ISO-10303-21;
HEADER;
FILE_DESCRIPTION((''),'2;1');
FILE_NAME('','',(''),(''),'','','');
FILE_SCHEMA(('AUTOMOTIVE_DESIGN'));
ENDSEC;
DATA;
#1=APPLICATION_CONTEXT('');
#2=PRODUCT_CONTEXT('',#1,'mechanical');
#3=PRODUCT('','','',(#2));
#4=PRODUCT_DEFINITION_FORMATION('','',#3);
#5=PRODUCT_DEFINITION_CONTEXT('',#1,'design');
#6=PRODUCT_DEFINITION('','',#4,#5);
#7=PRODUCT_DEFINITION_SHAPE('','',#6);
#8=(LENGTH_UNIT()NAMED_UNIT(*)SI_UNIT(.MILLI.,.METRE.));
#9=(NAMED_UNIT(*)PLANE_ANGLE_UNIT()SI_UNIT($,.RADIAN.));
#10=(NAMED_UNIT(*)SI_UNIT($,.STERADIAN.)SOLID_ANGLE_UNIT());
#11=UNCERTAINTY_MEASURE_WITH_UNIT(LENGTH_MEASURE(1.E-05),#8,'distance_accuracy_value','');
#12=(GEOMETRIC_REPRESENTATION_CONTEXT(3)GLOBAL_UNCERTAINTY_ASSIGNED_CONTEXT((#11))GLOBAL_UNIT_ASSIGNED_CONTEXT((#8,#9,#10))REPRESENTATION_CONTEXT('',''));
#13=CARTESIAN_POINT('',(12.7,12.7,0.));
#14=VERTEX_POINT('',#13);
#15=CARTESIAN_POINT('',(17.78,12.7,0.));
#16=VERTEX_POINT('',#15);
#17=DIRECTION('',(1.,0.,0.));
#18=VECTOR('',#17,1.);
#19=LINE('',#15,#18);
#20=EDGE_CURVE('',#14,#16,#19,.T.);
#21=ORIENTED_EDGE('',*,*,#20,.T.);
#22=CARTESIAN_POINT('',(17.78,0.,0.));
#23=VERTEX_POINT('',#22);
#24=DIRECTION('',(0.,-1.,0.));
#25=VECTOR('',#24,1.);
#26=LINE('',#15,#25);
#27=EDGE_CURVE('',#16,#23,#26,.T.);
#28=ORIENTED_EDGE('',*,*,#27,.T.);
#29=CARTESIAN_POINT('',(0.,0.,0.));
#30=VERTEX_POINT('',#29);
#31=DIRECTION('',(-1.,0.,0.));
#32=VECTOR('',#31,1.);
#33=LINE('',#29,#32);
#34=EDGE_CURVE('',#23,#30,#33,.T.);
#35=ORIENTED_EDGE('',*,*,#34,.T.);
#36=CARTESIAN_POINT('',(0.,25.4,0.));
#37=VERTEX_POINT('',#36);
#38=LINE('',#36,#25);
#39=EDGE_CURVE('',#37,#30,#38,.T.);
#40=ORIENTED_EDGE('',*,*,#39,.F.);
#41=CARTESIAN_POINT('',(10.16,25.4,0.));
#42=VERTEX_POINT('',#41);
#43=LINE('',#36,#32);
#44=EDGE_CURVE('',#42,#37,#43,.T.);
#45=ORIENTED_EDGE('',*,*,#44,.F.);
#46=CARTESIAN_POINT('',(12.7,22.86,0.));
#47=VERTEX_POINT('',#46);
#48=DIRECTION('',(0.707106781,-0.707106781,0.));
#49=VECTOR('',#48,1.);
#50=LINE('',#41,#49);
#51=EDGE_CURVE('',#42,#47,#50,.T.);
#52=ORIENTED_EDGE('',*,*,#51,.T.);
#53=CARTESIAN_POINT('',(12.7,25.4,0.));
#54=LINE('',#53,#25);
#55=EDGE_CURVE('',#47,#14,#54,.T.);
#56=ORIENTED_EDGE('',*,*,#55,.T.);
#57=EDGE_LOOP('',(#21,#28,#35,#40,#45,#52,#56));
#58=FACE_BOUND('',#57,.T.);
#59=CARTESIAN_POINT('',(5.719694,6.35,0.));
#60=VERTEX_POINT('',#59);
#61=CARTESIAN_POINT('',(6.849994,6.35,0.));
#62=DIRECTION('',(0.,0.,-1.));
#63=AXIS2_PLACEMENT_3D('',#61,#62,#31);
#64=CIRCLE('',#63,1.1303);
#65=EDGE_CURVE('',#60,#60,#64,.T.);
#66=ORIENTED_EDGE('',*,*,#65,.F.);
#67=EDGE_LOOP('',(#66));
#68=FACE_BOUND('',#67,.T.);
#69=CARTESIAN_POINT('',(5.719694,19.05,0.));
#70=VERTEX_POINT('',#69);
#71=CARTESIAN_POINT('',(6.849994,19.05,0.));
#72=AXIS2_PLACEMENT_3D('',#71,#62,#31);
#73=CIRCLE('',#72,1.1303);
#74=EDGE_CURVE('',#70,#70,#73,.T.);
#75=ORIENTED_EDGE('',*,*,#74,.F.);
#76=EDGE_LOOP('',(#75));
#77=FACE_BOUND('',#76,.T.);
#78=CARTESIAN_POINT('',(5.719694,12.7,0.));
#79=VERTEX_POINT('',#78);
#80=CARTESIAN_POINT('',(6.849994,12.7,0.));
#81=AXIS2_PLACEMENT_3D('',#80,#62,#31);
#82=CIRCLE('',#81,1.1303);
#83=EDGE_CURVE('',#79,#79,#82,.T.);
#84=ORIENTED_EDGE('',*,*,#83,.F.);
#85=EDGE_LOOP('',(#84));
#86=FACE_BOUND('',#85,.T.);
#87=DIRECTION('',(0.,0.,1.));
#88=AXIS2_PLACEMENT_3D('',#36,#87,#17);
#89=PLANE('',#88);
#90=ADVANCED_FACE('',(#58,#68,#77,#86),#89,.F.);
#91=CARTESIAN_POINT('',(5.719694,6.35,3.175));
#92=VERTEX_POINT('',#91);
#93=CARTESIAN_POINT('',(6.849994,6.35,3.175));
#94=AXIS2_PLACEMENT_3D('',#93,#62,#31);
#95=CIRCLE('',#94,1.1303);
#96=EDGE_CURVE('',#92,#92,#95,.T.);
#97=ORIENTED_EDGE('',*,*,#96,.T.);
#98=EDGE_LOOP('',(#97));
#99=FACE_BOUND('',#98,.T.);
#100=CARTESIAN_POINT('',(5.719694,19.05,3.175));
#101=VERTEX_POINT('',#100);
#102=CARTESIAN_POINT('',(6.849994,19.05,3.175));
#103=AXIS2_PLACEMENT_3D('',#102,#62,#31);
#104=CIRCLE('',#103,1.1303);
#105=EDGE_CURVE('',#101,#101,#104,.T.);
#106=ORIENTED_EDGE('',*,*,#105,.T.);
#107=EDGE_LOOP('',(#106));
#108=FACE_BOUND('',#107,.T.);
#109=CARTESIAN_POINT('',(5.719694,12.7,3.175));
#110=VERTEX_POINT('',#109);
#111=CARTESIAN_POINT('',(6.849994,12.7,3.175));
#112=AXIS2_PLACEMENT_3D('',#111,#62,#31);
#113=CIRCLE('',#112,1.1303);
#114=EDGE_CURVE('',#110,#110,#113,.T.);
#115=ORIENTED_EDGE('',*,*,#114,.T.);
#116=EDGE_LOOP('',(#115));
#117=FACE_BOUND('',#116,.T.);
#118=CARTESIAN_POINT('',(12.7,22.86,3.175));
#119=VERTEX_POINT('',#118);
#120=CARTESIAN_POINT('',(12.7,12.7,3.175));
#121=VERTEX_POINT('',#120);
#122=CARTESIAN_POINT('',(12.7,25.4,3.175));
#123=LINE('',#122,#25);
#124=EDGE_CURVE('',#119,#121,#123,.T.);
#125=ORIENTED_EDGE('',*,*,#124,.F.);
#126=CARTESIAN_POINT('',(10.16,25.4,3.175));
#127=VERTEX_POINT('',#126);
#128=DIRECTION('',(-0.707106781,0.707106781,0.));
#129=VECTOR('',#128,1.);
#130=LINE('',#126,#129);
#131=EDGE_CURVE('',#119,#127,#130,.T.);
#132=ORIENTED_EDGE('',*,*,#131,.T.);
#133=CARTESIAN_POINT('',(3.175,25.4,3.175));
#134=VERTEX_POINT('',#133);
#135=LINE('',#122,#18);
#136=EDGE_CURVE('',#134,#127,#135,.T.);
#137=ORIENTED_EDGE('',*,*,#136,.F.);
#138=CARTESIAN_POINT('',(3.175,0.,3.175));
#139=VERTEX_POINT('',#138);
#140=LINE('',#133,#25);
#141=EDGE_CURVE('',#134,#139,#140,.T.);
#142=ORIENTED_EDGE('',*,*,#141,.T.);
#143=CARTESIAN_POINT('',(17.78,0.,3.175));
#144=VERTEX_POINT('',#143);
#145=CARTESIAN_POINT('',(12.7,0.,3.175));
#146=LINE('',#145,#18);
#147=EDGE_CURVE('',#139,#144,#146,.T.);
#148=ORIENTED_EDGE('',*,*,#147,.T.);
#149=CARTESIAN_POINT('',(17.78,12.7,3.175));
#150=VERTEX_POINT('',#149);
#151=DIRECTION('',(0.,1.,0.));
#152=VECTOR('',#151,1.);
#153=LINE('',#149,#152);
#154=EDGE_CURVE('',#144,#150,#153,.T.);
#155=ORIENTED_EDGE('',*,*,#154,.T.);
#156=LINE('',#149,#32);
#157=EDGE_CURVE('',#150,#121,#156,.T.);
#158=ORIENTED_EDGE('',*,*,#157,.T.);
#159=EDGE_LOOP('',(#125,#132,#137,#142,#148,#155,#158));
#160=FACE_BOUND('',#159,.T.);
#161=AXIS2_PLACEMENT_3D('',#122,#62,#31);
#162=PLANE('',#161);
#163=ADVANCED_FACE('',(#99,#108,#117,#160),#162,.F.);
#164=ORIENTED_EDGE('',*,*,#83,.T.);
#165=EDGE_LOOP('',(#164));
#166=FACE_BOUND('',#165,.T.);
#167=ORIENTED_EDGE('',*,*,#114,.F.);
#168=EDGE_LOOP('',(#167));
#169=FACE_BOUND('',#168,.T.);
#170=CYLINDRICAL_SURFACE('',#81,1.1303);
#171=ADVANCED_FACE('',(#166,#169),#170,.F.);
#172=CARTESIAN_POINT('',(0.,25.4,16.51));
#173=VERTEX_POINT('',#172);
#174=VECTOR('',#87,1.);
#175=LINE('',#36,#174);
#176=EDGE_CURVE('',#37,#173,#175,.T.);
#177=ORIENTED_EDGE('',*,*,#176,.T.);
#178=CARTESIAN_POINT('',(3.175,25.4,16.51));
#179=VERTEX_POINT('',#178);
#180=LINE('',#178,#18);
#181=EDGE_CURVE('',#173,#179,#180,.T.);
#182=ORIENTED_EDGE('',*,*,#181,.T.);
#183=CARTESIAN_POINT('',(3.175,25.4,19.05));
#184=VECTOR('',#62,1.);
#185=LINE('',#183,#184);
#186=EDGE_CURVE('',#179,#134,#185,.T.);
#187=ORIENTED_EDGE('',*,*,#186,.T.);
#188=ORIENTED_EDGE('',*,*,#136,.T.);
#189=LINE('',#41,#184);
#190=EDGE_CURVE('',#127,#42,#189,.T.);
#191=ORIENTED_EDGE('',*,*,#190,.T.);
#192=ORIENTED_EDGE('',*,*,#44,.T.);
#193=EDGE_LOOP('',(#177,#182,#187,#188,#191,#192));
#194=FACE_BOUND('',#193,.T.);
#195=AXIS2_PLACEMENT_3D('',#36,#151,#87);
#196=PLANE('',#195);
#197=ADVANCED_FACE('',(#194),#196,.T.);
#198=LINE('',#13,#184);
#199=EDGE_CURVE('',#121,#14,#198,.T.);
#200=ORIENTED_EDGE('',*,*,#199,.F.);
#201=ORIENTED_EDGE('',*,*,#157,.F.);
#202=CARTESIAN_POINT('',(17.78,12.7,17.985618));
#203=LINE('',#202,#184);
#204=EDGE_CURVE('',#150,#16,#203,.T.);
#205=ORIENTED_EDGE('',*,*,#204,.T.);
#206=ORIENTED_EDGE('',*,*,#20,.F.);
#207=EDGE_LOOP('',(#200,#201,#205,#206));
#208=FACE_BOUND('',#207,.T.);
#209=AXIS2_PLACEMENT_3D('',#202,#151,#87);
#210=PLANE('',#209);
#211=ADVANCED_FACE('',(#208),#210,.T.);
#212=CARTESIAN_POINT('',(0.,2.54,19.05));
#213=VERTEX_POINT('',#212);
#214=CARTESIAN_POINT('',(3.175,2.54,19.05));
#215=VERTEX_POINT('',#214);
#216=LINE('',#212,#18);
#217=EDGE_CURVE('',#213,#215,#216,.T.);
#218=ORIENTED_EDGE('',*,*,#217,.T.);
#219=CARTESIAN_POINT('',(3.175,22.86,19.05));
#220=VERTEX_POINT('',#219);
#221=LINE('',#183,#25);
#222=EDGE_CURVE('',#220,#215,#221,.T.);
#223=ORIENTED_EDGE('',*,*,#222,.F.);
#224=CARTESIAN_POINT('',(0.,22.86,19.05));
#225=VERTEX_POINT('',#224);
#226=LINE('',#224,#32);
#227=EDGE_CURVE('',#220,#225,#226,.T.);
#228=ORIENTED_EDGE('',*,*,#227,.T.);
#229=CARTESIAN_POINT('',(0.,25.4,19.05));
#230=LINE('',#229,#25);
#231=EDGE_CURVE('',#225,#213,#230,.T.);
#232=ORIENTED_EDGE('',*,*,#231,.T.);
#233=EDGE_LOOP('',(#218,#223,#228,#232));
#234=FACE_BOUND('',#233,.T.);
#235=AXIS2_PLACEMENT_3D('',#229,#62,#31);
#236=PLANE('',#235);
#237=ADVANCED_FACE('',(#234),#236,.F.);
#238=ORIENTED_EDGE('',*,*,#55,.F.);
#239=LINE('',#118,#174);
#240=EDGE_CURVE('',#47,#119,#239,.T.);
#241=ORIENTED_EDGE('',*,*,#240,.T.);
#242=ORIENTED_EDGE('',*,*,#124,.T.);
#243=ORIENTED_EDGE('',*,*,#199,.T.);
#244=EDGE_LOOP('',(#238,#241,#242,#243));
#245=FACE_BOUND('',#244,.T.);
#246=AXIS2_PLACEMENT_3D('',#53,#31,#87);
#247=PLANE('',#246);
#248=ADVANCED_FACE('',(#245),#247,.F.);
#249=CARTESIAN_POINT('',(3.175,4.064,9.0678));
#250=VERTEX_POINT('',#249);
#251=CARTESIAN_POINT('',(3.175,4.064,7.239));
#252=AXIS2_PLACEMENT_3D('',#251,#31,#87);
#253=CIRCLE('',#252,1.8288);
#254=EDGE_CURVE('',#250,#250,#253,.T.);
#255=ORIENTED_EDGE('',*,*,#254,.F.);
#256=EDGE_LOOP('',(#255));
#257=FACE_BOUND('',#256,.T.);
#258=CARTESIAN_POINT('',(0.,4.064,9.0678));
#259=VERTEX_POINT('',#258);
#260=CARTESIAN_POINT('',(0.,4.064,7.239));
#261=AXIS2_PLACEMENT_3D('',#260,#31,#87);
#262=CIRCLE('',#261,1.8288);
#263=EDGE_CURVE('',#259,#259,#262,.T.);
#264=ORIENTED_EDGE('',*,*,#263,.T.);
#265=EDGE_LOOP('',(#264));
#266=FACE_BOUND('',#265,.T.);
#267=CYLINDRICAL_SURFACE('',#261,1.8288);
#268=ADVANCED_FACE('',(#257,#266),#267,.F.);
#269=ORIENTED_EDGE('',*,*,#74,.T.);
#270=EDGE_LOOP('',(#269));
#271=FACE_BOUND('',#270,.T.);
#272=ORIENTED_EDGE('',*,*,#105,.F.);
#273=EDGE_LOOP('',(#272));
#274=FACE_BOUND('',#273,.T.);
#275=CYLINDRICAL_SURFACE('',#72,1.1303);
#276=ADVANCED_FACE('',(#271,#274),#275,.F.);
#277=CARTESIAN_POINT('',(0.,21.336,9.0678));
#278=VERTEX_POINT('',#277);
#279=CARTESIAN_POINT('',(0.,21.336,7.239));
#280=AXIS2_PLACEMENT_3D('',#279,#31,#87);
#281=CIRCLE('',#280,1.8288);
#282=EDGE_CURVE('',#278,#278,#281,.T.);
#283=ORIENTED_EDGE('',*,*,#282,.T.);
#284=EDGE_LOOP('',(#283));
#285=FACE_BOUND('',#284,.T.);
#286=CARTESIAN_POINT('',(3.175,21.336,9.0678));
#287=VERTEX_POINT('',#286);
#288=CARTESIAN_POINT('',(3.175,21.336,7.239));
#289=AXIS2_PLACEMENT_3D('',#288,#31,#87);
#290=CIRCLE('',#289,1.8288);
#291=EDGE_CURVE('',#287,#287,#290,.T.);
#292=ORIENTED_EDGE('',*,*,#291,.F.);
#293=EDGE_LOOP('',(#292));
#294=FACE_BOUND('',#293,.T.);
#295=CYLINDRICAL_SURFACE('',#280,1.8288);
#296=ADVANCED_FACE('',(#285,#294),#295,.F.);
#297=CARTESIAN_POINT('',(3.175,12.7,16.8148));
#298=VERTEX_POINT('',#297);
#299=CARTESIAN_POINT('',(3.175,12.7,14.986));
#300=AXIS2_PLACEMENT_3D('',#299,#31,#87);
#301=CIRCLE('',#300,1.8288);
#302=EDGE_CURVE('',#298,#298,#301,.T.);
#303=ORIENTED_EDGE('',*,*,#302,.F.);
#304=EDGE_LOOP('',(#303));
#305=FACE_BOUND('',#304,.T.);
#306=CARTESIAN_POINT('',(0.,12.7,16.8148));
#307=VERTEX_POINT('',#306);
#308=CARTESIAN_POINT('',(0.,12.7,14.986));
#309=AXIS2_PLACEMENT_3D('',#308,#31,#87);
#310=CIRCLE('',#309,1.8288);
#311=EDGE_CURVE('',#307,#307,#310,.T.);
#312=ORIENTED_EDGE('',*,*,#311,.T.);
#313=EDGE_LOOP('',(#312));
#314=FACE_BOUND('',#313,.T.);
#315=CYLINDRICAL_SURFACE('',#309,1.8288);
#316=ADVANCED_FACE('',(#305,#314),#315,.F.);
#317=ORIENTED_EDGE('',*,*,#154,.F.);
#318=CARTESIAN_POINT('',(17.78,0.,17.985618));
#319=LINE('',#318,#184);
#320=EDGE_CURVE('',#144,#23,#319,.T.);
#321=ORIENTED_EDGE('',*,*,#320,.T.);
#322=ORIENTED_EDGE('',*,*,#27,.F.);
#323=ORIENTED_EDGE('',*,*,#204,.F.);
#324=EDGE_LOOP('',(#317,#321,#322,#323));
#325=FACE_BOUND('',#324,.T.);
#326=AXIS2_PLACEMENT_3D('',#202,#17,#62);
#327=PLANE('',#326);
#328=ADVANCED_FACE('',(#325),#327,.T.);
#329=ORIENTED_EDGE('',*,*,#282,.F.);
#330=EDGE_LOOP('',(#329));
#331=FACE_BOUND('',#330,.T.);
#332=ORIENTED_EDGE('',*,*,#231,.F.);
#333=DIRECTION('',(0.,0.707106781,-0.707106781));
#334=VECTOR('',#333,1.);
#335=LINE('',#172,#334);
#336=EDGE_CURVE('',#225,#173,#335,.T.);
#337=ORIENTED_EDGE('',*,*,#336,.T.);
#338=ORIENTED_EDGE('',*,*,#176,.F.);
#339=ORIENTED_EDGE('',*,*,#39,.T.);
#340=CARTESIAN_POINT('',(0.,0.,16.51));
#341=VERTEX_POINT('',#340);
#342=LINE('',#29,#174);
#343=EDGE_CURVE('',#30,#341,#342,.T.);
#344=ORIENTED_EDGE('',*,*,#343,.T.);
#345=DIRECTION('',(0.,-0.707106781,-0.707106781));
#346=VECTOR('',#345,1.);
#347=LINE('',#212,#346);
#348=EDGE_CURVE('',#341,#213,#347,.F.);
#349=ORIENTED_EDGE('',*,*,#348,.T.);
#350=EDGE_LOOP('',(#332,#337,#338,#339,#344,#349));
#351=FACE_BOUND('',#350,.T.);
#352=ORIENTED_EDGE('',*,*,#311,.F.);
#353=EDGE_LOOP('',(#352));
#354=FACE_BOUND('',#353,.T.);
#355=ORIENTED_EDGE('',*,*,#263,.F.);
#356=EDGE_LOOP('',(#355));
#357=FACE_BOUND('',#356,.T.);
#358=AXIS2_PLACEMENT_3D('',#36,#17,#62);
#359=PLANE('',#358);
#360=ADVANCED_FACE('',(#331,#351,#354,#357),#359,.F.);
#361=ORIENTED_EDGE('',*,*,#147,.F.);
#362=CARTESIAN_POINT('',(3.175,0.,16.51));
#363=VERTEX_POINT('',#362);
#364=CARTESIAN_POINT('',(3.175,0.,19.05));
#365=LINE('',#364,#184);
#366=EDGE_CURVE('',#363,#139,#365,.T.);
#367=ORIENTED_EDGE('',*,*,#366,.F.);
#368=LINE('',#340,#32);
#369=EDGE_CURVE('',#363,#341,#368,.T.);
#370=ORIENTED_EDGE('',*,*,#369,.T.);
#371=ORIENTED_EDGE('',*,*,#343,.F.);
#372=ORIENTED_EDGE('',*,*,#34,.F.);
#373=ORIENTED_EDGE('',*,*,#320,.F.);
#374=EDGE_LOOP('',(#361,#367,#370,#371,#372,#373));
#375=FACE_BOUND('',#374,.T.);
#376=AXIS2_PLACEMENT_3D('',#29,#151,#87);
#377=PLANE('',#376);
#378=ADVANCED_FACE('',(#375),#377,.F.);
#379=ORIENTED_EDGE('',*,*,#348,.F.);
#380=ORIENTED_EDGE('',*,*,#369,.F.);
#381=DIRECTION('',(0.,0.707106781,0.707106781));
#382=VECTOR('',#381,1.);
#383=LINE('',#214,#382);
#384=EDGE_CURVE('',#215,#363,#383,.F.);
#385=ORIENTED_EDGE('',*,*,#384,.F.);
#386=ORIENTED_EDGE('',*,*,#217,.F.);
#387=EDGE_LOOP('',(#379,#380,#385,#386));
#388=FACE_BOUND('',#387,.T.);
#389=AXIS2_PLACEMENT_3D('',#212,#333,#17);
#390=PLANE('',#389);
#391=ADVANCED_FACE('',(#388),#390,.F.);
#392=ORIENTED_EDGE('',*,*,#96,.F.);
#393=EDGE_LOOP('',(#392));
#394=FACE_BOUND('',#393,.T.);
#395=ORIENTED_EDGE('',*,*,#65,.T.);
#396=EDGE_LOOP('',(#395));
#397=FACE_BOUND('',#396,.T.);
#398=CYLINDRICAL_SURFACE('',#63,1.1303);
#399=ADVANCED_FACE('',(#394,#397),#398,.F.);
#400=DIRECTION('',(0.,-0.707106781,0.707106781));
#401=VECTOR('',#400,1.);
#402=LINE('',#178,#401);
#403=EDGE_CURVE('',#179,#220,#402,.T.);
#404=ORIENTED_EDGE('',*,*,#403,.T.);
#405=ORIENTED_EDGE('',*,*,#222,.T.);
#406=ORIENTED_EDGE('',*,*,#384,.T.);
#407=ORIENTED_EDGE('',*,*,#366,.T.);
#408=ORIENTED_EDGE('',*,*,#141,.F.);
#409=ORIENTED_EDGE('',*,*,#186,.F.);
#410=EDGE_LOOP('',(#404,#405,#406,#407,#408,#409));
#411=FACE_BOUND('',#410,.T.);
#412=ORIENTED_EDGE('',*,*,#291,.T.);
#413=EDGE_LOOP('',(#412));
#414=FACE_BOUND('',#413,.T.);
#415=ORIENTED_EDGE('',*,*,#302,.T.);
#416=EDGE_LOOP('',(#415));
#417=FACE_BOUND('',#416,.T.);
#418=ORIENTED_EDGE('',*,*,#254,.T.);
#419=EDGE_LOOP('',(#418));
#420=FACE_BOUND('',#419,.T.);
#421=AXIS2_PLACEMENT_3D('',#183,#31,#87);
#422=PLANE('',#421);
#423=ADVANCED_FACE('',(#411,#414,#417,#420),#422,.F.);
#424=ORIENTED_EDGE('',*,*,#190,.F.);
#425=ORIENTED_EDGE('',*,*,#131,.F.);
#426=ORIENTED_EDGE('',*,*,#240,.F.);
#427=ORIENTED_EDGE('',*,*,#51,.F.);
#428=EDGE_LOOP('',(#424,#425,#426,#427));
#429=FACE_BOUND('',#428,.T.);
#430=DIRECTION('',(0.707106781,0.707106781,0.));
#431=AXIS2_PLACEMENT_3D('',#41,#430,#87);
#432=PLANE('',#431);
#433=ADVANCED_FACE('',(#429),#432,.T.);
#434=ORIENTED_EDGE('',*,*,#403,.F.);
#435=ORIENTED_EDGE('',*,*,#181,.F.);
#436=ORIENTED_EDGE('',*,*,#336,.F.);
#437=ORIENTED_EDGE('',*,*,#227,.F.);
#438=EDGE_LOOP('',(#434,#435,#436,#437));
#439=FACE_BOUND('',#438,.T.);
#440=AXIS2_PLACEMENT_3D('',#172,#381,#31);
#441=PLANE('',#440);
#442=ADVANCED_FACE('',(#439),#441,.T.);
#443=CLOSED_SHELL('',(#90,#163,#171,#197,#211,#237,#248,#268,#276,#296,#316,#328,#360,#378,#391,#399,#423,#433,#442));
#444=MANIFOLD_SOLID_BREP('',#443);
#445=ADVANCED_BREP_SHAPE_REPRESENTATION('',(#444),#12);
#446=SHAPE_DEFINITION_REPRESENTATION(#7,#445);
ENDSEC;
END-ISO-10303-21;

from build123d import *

# Parameters (mm, degrees)
BOSS_EXTRUDE1_DEPTH   = 25.4
F_6_CLEARANCE_HOLE1_D = 3.6576
CHAMFER1_SIZE         = 2.54
F_4_40_TAPPED_HOLE1_D = 2.2606
SKETCH8_W             = 7.62
SKETCH8_H             = 12.7
BOSS_EXTRUDE2_DEPTH   = 3.175


with BuildPart() as part:
    # Sketch1 → Boss-Extrude1 (new body)
    with BuildSketch(Plane(origin=(0, 0, 0), x_dir=(1, 0, 0), z_dir=(0, 1, 0))):
        Polygon((0, 0), (12.7, 0), (12.7, -3.175), (3.175, -3.175), (3.175, -19.05), (0, -19.05), align=None)
    extrude(amount=BOSS_EXTRUDE1_DEPTH)

    # #6 Clearance Hole1 (through all)
    with Locations(Plane.ZY):
        with Locations((7.239, 4.064), (7.239, 21.336), (14.986, 12.7)):
            Hole(F_6_CLEARANCE_HOLE1_D / 2)

    # Chamfer1
    chamfer1_edges = [part.edges().sort_by_distance(p)[0] for p in [
        (12.7, 25.4, 1.5875),
        (12.7, 0, 1.5875),
        (1.5875, 25.4, 19.05),
        (1.5875, 0, 19.05),
    ]]
    chamfer(chamfer1_edges, length=CHAMFER1_SIZE)

    # #4-40 Tapped Hole1 (through all)
    with Locations(Plane(origin=(0, 0, 0), x_dir=(-1, 0, 0), z_dir=(0, 0, -1))):
        with Locations((-6.8499944, 6.35), (-6.8499944, 12.7), (-6.8499944, 19.05)):
            Hole(F_4_40_TAPPED_HOLE1_D / 2)

    # Sketch8 → Boss-Extrude2 (add)
    with BuildSketch(Plane(origin=(0, 0, 0), x_dir=(-1, 0, 0), z_dir=(0, 0, -1))):
        with Locations((-13.97, 6.35)):
            Rectangle(SKETCH8_W, SKETCH8_H)
    extrude(amount=-BOSS_EXTRUDE2_DEPTH)


solid = part.part
